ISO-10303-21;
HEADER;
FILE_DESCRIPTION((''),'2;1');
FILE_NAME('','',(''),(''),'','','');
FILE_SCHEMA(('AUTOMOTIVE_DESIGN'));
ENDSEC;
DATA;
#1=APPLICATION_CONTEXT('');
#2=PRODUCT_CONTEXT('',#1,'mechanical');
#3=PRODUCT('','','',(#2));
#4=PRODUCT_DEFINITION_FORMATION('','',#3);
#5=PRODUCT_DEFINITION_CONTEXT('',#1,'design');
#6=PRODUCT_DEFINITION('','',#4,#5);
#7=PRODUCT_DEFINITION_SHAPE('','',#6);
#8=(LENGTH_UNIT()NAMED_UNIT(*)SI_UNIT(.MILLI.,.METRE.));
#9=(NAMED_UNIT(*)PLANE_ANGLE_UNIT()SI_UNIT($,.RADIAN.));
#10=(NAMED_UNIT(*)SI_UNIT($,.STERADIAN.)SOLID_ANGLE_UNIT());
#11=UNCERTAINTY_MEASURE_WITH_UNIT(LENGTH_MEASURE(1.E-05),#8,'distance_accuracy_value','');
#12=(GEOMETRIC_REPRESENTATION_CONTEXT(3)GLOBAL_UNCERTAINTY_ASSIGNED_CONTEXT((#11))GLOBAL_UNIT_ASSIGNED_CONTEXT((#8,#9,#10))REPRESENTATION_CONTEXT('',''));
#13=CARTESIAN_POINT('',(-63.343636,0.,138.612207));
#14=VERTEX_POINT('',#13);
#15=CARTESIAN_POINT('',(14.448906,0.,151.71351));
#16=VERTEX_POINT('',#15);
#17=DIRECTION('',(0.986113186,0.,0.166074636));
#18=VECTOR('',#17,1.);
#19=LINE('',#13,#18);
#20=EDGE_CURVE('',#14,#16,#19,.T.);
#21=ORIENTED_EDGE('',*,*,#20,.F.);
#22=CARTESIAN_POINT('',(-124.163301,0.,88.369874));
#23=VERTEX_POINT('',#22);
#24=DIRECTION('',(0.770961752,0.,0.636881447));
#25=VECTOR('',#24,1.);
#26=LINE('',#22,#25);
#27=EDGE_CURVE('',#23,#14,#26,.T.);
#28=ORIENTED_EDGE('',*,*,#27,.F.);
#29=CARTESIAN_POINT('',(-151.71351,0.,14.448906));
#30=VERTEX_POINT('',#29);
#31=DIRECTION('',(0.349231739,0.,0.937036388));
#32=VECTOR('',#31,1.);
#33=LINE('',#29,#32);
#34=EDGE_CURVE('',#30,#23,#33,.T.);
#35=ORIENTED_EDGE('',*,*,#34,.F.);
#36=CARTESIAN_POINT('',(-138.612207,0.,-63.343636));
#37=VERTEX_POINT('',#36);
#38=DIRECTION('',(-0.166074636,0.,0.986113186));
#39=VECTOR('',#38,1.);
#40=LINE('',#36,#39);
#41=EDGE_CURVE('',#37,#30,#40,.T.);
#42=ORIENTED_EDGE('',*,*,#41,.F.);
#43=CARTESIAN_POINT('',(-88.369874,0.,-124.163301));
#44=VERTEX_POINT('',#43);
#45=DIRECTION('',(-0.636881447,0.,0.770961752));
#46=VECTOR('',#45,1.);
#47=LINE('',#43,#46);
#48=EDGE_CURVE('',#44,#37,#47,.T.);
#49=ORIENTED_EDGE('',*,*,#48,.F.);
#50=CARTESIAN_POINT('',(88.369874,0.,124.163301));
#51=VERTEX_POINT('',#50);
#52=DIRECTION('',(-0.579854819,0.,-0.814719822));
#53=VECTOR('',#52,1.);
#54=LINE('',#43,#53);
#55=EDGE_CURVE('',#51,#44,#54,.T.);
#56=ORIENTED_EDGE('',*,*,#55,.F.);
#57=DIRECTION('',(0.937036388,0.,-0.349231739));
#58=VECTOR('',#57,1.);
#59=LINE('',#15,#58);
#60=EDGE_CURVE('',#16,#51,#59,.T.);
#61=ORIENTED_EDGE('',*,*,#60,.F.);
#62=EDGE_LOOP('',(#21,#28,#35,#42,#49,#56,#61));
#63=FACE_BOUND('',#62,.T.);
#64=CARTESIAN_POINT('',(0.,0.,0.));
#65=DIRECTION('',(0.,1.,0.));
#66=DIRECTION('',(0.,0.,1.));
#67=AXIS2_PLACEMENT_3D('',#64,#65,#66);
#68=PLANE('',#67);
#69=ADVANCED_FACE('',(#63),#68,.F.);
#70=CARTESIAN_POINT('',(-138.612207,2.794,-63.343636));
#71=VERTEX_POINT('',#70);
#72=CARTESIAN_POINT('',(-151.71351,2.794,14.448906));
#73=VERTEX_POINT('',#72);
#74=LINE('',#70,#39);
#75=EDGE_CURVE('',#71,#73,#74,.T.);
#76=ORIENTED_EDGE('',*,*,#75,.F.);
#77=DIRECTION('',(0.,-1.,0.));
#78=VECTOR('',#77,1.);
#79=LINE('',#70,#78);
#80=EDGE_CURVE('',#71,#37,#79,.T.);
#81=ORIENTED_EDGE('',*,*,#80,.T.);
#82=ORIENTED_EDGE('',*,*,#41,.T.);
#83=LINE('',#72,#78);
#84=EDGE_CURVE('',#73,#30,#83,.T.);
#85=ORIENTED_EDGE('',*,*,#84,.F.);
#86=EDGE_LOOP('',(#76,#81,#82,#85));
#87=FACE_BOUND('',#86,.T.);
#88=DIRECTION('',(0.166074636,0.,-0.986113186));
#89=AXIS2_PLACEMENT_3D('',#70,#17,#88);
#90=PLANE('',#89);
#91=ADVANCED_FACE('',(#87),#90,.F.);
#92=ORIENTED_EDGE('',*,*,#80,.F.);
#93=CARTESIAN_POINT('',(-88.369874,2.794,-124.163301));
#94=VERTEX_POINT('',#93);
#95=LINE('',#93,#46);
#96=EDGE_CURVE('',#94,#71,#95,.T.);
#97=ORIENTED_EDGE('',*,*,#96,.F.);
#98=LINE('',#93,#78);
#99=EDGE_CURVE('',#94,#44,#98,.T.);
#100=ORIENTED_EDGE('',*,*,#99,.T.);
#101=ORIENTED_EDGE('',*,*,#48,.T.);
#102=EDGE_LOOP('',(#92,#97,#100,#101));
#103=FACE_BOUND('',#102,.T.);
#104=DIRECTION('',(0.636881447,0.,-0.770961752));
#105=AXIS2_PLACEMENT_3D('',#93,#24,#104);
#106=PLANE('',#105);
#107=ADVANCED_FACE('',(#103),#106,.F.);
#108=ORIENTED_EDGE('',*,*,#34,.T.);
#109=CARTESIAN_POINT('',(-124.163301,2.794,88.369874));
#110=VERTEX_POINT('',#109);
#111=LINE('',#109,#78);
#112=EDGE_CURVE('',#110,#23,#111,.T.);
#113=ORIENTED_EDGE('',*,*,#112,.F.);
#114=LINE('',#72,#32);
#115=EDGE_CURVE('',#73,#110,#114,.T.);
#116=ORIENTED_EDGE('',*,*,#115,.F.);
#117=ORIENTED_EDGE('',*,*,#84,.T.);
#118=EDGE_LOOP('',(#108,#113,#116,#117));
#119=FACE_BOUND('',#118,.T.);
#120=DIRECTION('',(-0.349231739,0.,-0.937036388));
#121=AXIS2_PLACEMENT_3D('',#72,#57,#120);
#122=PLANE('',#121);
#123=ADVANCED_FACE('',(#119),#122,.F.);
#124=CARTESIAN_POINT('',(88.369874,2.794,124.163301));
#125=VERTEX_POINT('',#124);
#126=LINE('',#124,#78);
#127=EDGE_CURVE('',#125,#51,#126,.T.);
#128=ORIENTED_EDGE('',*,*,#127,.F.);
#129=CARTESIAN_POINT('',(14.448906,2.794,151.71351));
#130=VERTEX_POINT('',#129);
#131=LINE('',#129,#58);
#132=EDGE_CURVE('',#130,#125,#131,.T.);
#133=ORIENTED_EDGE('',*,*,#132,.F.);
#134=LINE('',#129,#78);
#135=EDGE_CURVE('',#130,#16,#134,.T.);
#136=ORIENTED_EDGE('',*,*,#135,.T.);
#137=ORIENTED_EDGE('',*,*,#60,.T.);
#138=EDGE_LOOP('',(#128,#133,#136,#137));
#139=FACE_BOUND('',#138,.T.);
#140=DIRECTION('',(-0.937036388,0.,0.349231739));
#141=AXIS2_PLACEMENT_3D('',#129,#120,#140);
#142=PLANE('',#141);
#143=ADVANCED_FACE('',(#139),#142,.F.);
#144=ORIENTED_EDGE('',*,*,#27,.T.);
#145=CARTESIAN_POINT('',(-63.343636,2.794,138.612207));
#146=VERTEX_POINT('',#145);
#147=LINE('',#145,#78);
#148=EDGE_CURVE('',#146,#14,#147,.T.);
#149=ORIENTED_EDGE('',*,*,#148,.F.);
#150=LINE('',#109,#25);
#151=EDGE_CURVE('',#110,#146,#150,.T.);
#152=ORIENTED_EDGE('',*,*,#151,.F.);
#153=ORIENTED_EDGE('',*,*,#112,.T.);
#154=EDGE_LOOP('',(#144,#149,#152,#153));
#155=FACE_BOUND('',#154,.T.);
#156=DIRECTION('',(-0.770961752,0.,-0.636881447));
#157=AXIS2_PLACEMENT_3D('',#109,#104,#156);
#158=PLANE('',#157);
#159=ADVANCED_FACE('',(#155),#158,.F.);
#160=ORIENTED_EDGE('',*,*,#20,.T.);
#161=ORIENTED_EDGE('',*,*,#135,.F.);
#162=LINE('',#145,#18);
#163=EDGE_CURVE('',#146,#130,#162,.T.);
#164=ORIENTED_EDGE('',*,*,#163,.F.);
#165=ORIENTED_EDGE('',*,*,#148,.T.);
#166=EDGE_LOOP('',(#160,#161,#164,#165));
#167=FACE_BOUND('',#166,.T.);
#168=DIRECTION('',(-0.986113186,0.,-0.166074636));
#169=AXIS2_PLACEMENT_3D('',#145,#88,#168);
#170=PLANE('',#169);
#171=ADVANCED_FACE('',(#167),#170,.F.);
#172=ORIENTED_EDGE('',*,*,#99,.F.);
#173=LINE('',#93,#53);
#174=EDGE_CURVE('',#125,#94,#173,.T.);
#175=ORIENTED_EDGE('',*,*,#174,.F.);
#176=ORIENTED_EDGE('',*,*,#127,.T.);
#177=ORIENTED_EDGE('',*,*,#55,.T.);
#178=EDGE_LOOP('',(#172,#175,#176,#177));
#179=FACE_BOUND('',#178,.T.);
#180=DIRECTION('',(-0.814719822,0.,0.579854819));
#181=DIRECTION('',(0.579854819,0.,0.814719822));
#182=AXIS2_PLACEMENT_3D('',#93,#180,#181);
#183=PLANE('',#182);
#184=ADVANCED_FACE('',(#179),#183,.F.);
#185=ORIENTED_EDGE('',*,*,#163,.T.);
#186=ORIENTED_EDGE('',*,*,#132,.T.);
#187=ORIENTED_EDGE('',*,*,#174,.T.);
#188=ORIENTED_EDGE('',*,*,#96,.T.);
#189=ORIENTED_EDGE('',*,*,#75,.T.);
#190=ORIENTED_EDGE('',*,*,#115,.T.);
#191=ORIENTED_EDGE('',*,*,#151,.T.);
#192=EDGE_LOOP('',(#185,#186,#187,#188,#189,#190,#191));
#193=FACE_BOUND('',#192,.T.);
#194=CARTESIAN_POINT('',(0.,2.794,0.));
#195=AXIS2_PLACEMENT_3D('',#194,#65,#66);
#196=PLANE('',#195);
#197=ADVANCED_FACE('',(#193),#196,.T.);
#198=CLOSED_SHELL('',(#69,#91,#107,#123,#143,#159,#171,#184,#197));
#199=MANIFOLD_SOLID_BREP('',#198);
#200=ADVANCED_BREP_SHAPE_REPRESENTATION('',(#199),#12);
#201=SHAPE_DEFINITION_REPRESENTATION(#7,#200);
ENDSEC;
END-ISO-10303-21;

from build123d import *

# Parameters (mm, degrees)
BOSS_EXTRUDE1_DEPTH = 2.794


with BuildPart() as part:
    # Sketch1 → Boss-Extrude1 (new body)
    with BuildSketch(Plane(origin=(0, 0, 0), x_dir=(1, 0, 0), z_dir=(0, 1, 0))):
        Polygon((-151.713510023, -14.448905717), (-124.163300919, -88.369874419), (-63.343635604, -138.612206636), (14.448905717, -151.713510023), (88.369874419, -124.163300919), (-88.369874419, 124.163300919), (-138.612206636, 63.343635604), align=None)
    extrude(amount=BOSS_EXTRUDE1_DEPTH)


solid = part.part
